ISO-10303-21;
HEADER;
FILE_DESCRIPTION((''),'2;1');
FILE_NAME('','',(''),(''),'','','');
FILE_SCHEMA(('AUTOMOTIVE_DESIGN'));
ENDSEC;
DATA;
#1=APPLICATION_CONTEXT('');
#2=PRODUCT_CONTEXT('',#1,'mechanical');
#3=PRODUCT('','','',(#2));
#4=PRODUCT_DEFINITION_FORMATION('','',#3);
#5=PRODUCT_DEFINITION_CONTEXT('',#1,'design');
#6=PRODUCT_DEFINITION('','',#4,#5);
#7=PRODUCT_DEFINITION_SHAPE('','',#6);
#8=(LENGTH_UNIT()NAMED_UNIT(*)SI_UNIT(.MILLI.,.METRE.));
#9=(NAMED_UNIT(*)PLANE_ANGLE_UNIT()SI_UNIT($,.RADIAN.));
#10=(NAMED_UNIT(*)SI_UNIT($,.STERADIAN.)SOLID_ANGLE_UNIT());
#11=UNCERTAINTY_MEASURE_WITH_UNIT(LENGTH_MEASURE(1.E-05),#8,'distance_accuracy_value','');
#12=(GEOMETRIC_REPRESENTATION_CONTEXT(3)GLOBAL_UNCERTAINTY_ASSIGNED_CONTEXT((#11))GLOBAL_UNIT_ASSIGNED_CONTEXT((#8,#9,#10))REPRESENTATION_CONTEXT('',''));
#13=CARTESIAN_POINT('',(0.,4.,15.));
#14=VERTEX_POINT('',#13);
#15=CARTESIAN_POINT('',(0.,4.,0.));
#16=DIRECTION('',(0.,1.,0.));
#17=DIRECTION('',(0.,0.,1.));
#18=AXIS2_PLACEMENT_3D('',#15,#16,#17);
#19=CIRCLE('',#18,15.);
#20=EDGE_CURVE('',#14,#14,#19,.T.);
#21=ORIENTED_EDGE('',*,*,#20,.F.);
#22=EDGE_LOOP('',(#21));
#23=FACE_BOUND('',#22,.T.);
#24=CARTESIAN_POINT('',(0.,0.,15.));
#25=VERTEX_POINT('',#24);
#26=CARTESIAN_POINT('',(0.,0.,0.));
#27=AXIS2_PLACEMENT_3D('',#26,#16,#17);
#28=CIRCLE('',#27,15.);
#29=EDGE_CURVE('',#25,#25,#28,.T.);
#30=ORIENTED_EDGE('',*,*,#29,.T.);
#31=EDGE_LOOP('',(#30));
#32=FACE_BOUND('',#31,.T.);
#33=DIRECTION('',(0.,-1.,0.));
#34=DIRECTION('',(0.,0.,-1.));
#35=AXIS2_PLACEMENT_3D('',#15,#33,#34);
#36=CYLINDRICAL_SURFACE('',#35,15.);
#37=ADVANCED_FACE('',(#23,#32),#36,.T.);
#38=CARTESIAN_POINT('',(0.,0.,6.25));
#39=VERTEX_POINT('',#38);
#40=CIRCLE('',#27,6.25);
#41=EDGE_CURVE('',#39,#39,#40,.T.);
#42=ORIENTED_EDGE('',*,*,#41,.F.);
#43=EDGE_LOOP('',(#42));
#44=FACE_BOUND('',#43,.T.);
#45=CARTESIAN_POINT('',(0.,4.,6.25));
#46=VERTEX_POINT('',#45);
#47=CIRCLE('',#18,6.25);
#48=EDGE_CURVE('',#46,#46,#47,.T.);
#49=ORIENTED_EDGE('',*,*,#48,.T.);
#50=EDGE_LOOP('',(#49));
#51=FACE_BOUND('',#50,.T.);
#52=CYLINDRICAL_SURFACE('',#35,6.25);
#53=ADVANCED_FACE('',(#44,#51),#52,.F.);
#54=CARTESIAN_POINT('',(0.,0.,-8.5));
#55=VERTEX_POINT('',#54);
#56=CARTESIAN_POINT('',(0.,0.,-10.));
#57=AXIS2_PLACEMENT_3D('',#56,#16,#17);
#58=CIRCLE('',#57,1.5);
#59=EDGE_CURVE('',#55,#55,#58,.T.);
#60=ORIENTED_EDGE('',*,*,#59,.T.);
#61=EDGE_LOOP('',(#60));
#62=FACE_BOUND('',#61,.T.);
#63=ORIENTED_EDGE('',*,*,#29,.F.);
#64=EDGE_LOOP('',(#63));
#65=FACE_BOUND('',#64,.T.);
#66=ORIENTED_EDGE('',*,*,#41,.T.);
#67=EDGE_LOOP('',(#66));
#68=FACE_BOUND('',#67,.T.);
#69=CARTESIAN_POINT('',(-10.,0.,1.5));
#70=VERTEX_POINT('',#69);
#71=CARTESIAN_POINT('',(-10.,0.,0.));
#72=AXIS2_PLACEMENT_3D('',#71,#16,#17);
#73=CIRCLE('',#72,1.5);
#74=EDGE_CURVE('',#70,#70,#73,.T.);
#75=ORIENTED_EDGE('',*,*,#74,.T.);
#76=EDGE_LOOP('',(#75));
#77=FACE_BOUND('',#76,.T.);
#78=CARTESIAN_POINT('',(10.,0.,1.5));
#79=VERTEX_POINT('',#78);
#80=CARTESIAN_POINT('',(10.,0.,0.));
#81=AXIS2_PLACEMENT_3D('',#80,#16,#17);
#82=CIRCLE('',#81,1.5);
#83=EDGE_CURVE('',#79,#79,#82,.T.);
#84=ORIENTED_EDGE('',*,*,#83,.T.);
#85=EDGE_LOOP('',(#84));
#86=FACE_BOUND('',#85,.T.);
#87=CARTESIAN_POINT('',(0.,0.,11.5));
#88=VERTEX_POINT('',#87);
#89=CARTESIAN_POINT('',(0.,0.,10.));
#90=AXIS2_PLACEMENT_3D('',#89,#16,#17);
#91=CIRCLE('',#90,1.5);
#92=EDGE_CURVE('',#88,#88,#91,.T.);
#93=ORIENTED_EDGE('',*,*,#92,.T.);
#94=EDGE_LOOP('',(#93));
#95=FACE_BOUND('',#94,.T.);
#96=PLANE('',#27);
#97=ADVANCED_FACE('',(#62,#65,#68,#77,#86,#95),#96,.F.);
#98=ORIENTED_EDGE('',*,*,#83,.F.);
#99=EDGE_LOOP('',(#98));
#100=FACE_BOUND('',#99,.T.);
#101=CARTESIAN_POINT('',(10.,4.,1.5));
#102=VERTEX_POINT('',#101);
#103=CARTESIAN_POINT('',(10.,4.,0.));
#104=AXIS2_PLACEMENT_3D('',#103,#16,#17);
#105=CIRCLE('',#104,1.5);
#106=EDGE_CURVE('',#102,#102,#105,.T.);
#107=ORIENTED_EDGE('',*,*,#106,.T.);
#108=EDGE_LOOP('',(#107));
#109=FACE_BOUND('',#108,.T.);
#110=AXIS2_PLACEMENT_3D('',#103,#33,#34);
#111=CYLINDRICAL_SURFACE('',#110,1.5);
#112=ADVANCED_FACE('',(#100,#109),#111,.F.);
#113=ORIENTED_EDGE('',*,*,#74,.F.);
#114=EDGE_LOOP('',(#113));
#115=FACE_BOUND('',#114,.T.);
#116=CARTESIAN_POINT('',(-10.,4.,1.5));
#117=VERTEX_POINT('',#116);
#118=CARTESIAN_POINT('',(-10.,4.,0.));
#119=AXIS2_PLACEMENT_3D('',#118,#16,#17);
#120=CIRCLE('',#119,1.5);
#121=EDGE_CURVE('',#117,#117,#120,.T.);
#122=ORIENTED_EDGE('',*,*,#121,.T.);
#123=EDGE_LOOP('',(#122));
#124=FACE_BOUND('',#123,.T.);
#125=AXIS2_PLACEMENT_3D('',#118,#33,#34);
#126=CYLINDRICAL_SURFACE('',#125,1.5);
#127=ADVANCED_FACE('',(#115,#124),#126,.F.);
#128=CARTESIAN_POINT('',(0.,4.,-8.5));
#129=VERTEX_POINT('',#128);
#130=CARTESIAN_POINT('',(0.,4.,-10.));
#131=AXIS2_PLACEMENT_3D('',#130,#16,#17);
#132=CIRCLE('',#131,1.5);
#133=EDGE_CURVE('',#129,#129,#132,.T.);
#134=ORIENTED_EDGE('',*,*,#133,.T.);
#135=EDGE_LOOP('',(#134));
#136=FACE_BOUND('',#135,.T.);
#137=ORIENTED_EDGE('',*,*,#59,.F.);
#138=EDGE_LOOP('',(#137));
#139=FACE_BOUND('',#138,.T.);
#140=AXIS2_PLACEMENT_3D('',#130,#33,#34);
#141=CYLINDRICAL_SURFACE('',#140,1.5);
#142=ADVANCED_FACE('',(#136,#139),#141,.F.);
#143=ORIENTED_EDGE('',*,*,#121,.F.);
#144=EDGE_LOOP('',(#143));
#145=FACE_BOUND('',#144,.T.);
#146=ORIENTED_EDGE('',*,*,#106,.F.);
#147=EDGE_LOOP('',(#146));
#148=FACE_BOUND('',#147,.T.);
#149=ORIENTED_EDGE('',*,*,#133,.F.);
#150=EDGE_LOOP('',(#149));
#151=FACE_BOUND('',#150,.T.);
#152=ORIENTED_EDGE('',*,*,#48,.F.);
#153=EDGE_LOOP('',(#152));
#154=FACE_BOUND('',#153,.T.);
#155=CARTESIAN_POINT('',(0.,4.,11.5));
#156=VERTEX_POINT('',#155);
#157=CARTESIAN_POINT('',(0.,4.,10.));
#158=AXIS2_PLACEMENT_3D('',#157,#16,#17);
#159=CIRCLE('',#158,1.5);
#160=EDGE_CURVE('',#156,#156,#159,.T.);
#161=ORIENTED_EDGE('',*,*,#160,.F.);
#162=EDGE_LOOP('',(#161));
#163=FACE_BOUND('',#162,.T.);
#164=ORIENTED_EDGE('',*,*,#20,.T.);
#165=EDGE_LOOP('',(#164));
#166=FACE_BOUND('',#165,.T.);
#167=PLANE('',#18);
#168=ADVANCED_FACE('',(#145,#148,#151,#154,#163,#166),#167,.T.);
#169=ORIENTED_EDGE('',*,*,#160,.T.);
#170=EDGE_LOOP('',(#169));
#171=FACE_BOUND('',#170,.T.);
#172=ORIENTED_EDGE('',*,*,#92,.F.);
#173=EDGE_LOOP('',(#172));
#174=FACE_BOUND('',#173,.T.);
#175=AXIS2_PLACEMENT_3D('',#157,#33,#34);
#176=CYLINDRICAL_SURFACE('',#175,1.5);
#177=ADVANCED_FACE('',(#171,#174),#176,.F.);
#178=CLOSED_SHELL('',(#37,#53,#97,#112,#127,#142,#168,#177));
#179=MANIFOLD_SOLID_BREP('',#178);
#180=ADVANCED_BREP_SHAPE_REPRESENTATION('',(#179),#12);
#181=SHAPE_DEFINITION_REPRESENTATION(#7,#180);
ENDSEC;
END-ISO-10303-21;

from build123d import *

# Parameters (mm, degrees)
SKETCH_1_R      = 15
SKETCH_1_R_2    = 6.25
SKETCH_1_R_3    = 1.5
EXTRUDE_1_DEPTH = 4


with BuildPart() as part:
    # 草图1 → 凸台-拉伸1 (new body)
    with BuildSketch(Plane(origin=(0, 0, 0), x_dir=(1, 0, 0), z_dir=(0, 1, 0))):
        with Locations(Location((0, 0, 0), (0, 0, 270))):
            Circle(SKETCH_1_R)
        with Locations(Location((0, 0, 0), (0, 0, 270))):
            Circle(SKETCH_1_R_2, mode=Mode.SUBTRACT)
        with Locations(Location((0, 10, 0), (0, 0, 270))):
            Circle(SKETCH_1_R_3, mode=Mode.SUBTRACT)
        with Locations(Location((10, 0, 0), (0, 0, 270))):
            Circle(SKETCH_1_R_3, mode=Mode.SUBTRACT)
        with Locations(Location((0, -10, 0), (0, 0, 270))):
            Circle(SKETCH_1_R_3, mode=Mode.SUBTRACT)
        with Locations(Location((-10, 0, 0), (0, 0, 270))):
            Circle(SKETCH_1_R_3, mode=Mode.SUBTRACT)
    extrude(amount=EXTRUDE_1_DEPTH)


solid = part.part
